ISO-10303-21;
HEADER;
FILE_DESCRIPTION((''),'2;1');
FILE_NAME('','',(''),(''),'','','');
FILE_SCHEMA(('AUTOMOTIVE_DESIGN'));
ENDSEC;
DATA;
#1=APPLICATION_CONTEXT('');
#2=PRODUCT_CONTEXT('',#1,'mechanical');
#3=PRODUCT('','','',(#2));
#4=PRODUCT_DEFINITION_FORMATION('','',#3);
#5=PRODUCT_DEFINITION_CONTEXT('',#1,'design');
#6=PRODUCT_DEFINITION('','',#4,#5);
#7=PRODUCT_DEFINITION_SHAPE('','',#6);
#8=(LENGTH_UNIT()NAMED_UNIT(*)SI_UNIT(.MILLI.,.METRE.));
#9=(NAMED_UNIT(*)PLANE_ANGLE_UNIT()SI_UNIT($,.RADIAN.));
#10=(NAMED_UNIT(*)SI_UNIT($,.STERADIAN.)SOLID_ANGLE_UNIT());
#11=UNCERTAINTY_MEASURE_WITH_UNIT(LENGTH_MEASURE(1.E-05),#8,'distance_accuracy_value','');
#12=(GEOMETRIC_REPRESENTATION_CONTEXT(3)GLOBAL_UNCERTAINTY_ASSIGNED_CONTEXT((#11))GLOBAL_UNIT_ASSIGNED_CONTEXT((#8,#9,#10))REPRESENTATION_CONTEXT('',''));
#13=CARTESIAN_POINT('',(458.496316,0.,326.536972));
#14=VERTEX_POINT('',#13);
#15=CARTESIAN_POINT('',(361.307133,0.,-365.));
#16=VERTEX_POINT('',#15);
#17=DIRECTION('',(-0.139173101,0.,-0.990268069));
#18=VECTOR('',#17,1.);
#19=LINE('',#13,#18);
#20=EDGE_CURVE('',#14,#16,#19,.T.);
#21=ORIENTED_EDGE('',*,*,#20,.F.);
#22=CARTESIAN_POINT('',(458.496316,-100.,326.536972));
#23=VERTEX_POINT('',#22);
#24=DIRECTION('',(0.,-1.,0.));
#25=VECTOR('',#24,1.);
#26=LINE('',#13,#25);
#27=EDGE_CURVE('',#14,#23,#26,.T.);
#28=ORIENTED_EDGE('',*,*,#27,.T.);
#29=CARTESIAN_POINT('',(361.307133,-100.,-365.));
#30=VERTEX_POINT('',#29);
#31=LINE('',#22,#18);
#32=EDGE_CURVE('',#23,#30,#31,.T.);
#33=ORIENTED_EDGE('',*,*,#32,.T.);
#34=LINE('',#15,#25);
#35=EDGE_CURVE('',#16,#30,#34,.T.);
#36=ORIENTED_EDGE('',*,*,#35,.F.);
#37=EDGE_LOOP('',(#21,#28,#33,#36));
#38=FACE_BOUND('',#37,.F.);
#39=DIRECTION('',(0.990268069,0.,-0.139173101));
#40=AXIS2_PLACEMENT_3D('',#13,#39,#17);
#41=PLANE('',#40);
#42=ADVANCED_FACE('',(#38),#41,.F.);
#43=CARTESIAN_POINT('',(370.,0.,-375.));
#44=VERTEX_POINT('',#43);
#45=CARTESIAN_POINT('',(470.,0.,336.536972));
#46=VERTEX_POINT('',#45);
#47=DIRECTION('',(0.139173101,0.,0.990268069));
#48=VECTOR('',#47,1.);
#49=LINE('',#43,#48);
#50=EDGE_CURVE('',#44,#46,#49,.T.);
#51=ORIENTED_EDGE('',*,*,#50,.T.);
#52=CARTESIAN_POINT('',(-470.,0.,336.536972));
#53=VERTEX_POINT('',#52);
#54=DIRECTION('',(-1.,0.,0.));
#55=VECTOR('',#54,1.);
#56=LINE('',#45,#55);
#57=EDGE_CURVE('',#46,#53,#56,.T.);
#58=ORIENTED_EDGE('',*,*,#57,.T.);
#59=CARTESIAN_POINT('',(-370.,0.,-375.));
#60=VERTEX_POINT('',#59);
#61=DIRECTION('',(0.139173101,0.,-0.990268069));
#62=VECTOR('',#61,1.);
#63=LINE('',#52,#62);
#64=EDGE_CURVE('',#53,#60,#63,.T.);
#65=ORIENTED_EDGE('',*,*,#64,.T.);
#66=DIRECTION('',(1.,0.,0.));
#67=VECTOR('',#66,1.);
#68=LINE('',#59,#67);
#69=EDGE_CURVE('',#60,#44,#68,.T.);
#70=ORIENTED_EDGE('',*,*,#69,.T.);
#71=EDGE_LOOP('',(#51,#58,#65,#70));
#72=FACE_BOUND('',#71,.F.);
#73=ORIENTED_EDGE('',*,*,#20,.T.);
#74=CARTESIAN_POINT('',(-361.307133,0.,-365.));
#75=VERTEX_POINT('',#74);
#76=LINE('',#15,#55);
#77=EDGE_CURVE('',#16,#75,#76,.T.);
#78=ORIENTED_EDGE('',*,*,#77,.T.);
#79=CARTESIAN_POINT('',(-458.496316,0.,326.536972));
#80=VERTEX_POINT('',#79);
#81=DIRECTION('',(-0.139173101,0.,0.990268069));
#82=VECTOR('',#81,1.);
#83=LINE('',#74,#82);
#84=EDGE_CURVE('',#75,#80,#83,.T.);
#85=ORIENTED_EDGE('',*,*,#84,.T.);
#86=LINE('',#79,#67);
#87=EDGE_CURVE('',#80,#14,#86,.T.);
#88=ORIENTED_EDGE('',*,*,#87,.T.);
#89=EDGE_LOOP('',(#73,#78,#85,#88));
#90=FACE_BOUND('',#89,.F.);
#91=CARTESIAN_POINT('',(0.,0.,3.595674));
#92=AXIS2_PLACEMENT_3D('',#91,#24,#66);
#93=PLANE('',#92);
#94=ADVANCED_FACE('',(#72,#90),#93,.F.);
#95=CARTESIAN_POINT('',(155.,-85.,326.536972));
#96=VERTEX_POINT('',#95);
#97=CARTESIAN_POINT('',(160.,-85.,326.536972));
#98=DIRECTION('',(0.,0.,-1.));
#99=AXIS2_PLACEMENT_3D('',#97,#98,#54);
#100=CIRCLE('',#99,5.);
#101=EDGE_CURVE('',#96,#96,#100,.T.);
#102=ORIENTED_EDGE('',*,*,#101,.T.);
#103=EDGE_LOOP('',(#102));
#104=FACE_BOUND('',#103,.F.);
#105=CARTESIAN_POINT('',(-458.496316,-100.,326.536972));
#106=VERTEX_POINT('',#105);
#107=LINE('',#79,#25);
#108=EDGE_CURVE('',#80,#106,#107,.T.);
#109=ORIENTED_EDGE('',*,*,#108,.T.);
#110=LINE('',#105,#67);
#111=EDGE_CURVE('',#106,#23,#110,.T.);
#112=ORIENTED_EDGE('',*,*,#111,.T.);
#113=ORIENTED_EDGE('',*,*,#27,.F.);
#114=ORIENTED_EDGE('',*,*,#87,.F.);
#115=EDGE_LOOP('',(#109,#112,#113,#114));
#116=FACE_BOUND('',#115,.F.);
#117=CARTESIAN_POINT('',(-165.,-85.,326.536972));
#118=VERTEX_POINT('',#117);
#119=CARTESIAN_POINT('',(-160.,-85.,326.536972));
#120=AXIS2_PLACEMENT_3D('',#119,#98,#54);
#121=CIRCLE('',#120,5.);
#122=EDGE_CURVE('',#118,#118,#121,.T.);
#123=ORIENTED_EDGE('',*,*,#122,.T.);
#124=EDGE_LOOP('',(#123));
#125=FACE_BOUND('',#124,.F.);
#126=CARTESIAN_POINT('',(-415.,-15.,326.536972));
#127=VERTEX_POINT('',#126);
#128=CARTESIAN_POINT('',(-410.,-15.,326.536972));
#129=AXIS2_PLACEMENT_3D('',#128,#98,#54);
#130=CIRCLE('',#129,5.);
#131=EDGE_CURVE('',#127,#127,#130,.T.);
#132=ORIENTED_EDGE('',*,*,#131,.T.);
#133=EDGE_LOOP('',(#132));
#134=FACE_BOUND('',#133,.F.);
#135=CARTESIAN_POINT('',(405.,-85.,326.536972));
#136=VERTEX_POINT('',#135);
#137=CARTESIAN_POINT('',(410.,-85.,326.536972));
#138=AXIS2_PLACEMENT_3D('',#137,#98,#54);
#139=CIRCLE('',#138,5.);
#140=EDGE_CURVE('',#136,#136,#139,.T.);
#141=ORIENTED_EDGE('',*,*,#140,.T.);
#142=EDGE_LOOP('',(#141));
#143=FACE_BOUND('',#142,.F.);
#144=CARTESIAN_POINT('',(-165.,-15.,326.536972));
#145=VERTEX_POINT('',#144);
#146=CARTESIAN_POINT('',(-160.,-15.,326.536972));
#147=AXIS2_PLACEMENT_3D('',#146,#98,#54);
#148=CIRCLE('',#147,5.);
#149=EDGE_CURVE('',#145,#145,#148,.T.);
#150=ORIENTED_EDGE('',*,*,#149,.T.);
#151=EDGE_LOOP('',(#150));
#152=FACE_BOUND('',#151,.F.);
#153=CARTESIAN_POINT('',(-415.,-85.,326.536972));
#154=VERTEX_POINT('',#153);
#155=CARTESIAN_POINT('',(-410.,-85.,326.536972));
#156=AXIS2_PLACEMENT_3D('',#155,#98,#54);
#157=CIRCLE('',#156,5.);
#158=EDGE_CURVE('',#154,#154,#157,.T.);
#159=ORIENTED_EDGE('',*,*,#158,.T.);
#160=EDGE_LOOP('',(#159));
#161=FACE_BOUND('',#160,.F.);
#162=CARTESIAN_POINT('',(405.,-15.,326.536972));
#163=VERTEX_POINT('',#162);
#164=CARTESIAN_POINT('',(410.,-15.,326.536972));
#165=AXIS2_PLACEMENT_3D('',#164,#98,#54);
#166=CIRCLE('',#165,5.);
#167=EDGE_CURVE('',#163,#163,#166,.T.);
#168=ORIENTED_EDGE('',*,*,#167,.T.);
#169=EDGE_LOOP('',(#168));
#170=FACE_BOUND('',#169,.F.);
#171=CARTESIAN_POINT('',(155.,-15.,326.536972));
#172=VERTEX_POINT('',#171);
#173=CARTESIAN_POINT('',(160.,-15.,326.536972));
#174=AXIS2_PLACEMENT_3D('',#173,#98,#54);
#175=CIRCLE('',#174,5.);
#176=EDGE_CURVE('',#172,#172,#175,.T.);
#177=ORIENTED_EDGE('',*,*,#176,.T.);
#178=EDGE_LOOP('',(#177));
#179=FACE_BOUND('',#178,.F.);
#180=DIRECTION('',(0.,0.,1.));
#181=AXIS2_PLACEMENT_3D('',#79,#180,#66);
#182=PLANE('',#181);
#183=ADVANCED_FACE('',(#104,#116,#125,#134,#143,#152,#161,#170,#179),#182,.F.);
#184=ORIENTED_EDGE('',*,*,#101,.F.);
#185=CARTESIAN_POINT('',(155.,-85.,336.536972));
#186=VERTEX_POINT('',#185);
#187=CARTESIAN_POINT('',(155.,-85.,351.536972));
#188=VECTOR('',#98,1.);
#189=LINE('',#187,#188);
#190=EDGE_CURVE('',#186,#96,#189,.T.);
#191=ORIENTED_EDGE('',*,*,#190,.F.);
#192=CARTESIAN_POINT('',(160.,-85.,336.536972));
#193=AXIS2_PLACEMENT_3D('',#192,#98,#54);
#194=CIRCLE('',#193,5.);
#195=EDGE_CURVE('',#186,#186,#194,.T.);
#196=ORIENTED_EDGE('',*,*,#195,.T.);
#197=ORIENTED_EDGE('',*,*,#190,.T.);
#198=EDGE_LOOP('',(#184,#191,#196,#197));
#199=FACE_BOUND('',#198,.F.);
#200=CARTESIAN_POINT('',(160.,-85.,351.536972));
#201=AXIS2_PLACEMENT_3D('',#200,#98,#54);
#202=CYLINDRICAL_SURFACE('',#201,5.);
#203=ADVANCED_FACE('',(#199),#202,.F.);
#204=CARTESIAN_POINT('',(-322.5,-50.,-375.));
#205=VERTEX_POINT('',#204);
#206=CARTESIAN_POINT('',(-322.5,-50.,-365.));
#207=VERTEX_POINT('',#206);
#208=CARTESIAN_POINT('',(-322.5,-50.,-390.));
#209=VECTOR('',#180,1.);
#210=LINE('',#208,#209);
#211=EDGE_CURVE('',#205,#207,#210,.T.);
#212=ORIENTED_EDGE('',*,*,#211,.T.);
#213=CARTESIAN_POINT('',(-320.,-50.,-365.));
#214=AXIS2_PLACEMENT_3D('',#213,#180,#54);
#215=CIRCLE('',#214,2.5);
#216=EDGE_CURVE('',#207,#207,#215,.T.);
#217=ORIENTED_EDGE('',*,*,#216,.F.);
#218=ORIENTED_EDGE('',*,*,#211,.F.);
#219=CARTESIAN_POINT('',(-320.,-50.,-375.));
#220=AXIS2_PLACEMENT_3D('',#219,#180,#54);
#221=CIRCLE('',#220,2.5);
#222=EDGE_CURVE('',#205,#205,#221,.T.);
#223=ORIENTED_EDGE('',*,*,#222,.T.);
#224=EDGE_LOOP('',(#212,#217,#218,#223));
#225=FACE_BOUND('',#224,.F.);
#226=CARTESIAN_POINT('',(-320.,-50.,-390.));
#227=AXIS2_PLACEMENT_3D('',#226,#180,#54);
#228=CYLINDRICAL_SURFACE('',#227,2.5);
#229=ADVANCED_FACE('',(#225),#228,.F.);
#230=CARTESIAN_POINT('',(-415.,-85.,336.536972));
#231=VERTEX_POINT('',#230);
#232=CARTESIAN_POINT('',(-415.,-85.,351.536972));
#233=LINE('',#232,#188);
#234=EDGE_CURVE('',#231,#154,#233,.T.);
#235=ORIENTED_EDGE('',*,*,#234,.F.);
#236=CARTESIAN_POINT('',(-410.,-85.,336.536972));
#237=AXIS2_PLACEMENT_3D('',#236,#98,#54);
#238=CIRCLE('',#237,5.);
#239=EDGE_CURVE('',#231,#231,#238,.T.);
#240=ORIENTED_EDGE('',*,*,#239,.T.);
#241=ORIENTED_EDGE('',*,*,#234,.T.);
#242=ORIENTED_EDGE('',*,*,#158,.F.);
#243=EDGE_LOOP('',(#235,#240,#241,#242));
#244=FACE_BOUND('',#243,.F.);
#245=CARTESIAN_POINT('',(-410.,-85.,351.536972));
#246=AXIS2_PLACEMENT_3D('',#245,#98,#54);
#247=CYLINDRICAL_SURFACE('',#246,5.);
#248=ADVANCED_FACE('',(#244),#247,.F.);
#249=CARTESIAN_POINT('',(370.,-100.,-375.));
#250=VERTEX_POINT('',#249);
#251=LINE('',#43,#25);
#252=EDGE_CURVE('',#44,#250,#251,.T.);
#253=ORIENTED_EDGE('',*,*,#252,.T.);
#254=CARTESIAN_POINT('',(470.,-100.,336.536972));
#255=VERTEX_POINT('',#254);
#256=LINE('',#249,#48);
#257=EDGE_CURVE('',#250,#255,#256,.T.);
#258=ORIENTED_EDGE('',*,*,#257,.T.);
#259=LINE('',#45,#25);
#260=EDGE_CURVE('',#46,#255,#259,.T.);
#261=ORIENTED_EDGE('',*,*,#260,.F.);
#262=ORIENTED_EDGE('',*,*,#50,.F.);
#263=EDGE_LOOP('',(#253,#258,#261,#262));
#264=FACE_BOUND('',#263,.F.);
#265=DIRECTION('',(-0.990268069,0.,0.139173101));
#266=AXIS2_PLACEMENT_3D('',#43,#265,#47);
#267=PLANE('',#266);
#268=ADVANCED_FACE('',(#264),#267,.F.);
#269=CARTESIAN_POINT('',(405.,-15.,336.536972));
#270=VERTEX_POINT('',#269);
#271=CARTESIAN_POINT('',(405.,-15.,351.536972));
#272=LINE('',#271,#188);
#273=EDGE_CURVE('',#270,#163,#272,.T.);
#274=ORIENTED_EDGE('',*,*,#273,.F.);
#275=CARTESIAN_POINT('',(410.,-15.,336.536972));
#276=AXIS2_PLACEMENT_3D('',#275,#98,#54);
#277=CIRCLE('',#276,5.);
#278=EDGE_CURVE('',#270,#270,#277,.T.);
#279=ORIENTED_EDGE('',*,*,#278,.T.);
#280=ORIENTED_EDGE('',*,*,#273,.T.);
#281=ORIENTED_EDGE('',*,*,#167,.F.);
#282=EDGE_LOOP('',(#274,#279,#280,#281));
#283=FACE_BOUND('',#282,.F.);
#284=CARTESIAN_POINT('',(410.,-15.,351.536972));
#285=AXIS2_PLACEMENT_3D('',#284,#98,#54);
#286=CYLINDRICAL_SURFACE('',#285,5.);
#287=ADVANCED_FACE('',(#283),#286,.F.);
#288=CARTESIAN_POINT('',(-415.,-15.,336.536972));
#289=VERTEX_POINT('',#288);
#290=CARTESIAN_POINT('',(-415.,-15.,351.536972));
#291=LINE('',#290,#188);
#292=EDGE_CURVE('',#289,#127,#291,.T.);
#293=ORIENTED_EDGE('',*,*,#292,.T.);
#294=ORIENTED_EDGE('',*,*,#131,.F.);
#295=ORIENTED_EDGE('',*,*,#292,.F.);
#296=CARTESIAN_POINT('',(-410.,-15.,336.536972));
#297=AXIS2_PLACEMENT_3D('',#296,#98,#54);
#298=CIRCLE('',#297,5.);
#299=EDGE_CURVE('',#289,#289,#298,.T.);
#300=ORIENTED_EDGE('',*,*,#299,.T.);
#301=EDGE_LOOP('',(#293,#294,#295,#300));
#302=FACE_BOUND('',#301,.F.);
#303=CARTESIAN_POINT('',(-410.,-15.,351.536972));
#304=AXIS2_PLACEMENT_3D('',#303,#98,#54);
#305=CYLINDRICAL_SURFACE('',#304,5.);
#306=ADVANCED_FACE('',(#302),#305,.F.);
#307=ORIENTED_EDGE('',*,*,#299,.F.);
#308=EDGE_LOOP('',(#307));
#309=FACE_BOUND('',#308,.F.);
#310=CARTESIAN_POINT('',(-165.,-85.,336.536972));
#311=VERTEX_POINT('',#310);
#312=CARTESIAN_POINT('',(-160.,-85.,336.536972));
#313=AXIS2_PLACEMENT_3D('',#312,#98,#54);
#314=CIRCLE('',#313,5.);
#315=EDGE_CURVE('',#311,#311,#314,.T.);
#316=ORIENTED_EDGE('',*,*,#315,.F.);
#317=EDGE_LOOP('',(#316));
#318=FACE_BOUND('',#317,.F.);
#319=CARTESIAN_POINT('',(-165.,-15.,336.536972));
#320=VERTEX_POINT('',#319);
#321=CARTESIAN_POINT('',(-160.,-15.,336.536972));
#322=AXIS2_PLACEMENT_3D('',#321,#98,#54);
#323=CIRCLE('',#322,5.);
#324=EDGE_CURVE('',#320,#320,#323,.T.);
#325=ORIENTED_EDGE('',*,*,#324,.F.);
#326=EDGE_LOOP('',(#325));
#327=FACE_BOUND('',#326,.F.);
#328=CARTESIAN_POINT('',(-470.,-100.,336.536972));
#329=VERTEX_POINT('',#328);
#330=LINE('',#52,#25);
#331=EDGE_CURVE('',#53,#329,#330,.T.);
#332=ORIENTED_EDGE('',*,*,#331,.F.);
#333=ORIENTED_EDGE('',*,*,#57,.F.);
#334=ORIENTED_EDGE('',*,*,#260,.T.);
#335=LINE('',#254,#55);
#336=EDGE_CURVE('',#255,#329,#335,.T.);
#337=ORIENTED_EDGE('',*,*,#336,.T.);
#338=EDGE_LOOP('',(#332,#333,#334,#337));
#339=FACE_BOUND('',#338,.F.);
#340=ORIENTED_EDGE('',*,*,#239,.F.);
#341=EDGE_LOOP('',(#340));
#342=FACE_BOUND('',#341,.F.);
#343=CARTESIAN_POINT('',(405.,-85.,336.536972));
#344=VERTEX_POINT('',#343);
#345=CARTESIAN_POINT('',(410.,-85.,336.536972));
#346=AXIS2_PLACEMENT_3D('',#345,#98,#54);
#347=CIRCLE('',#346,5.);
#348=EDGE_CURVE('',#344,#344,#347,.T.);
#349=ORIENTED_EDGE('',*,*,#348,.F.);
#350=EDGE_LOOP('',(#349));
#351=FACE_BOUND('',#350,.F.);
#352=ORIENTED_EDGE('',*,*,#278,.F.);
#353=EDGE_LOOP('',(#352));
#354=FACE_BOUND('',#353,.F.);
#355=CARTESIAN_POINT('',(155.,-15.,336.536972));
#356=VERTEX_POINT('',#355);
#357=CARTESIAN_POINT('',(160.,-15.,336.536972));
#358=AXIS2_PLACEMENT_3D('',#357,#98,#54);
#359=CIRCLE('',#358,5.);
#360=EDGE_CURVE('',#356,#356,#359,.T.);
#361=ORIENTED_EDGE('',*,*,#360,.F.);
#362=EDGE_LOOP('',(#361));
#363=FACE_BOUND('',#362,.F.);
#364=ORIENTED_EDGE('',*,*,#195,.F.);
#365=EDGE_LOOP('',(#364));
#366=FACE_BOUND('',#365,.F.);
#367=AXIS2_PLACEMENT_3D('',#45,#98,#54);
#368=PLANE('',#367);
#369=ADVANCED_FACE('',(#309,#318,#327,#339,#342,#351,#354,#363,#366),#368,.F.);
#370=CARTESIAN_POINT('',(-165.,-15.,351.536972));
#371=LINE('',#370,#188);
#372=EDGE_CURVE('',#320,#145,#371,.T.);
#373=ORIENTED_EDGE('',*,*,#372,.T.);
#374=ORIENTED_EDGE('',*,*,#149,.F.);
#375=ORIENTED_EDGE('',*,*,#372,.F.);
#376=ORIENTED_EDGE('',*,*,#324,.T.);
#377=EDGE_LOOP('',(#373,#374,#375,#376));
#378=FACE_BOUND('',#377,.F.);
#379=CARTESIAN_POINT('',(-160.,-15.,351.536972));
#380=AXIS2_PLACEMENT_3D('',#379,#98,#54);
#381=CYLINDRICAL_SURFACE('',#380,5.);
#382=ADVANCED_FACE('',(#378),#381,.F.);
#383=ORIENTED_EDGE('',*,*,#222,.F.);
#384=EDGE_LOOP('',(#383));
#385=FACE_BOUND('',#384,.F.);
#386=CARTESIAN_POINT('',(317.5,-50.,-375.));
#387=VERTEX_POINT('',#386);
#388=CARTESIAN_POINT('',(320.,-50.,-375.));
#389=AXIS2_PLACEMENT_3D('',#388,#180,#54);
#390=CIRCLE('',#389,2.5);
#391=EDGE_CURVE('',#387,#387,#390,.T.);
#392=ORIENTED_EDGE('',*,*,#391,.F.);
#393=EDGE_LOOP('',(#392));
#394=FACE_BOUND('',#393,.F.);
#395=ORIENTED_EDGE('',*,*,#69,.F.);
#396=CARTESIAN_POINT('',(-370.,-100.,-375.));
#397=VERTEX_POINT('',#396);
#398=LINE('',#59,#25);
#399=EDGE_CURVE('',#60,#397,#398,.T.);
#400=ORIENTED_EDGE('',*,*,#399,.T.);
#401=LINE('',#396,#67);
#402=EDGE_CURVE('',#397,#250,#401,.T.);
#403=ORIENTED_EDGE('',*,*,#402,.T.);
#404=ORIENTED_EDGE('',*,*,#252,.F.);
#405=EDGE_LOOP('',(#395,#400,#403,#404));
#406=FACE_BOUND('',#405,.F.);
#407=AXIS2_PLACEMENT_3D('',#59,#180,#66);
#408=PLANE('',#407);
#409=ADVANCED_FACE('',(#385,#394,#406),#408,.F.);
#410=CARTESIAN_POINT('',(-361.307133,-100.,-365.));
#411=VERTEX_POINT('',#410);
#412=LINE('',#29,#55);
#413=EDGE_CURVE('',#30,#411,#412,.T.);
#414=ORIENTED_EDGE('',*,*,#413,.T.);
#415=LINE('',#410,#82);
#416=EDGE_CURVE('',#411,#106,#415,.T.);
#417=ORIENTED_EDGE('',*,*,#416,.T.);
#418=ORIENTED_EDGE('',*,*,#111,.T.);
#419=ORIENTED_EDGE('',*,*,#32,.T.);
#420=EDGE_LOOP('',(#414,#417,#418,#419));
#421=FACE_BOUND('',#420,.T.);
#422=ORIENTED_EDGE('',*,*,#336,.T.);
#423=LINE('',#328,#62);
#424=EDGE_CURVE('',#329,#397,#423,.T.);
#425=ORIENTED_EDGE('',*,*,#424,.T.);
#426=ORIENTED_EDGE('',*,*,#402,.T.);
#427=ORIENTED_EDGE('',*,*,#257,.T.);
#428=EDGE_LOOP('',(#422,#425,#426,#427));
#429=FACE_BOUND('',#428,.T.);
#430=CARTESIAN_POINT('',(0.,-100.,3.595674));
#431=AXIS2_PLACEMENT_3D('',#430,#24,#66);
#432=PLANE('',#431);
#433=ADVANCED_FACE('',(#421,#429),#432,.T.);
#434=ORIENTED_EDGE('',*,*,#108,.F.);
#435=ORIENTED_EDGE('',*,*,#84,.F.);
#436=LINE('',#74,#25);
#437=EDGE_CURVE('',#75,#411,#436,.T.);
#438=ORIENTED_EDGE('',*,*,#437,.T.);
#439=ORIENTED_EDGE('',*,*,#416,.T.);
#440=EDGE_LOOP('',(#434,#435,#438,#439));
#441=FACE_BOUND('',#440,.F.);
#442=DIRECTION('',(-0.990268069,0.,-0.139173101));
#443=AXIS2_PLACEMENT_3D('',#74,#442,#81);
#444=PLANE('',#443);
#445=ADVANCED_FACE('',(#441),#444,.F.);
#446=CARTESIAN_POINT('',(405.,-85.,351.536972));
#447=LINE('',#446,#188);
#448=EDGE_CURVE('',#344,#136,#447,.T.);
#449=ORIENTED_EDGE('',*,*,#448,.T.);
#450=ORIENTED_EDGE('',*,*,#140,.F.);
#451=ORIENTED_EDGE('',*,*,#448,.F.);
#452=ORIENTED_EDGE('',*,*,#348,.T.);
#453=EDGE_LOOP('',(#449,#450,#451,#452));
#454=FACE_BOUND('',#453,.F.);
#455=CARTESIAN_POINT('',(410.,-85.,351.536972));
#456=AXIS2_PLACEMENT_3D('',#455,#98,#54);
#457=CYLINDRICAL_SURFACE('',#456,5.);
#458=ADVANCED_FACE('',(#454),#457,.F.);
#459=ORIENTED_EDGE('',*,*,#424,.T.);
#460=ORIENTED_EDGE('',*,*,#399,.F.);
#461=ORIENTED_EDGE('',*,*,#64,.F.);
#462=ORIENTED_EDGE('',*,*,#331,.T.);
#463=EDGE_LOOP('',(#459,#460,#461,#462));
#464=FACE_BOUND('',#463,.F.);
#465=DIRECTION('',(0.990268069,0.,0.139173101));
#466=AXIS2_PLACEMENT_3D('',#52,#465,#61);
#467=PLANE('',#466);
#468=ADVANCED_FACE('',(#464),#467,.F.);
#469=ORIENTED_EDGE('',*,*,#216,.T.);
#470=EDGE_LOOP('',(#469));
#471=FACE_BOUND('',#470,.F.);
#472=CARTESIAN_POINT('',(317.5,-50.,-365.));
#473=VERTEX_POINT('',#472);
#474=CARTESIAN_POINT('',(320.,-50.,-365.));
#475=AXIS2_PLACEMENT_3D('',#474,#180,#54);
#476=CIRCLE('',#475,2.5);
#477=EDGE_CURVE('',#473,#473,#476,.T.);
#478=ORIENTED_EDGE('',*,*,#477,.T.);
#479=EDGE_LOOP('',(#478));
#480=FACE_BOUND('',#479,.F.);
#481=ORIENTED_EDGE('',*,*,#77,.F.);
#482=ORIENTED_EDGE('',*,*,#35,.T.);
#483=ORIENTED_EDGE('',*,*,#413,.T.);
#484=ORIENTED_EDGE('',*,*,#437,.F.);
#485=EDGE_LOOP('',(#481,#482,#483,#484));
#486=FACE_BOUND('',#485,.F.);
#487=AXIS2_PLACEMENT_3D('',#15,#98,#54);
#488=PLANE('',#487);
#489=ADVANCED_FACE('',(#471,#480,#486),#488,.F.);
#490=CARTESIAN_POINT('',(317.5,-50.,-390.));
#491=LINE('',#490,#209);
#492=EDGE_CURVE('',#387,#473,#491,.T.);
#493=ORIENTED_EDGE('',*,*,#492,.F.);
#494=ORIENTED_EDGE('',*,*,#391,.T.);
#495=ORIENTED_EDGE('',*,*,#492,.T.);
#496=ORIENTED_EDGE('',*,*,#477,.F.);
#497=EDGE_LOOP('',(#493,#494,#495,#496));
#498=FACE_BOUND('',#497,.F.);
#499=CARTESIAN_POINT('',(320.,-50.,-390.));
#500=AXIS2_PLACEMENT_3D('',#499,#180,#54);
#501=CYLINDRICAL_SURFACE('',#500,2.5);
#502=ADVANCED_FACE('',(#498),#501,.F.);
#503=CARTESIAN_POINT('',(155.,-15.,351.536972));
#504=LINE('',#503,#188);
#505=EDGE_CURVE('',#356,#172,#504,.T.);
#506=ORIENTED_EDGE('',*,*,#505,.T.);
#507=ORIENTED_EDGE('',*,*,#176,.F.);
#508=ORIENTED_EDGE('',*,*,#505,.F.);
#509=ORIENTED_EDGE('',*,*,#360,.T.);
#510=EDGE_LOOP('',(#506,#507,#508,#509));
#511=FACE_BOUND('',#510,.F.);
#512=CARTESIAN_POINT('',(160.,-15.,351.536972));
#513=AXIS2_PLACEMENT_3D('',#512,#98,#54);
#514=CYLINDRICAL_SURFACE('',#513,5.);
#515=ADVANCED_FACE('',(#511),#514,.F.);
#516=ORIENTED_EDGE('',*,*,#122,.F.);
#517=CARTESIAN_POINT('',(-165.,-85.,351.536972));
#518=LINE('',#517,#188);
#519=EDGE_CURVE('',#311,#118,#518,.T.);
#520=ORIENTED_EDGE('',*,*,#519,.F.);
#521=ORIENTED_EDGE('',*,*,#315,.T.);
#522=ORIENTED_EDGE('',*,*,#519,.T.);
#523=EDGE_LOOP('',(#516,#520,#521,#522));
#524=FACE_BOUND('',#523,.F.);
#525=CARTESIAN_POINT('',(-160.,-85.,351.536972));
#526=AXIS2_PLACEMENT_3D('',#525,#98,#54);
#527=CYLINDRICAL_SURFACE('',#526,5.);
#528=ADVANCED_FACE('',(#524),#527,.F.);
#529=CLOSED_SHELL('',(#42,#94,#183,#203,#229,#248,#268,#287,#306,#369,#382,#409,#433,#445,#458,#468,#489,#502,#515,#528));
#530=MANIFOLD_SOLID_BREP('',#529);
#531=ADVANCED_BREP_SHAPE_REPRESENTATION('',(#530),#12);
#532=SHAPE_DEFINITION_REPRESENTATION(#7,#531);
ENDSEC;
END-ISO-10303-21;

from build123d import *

# Parameters (mm, degrees)
F1_DEPTH = 100
F3_D     = 5
F3_DEPTH = 15
F3_TIP   = 1.5021515476
F5_D     = 10
F5_DEPTH = 15
F5_TIP   = 3.0043030951


with BuildPart() as f1:
    # F0 (on Front) → F1 (new body)
    with BuildSketch(Plane.XZ):
        Polygon((470, 336.5369722384), (-470, 336.5369722384), (-370, -375), (370, -375), align=None)
        Polygon((-458.4963159278, 326.5369722384), (458.4963159278, 326.5369722384), (361.3071326218, -365), (-361.3071326218, -365), align=None, mode=Mode.SUBTRACT)
    extrude(amount=F1_DEPTH)

    # F3
    with Locations(Plane(origin=(0, 0, -375), x_dir=(1, 0, 0), z_dir=(0, 0, -1))):
        with Locations((-320, 50), (320, 50)):
            Hole(F3_D / 2, depth=F3_DEPTH)
            with Locations((0, 0, -(F3_DEPTH + F3_TIP / 2))):  # 118° drill point
                Cone(0, F3_D / 2, F3_TIP, mode=Mode.SUBTRACT)

    # F5
    with Locations(Plane.XY.offset(336.5369722384)):
        with Locations((-410, -15), (-410, -85), (-160, -15), (-160, -85), (160, -85), (160, -15), (410, -15), (410, -85)):
            Hole(F5_D / 2, depth=F5_DEPTH)
            with Locations((0, 0, -(F5_DEPTH + F5_TIP / 2))):  # 118° drill point
                Cone(0, F5_D / 2, F5_TIP, mode=Mode.SUBTRACT)


solid = f1.part
